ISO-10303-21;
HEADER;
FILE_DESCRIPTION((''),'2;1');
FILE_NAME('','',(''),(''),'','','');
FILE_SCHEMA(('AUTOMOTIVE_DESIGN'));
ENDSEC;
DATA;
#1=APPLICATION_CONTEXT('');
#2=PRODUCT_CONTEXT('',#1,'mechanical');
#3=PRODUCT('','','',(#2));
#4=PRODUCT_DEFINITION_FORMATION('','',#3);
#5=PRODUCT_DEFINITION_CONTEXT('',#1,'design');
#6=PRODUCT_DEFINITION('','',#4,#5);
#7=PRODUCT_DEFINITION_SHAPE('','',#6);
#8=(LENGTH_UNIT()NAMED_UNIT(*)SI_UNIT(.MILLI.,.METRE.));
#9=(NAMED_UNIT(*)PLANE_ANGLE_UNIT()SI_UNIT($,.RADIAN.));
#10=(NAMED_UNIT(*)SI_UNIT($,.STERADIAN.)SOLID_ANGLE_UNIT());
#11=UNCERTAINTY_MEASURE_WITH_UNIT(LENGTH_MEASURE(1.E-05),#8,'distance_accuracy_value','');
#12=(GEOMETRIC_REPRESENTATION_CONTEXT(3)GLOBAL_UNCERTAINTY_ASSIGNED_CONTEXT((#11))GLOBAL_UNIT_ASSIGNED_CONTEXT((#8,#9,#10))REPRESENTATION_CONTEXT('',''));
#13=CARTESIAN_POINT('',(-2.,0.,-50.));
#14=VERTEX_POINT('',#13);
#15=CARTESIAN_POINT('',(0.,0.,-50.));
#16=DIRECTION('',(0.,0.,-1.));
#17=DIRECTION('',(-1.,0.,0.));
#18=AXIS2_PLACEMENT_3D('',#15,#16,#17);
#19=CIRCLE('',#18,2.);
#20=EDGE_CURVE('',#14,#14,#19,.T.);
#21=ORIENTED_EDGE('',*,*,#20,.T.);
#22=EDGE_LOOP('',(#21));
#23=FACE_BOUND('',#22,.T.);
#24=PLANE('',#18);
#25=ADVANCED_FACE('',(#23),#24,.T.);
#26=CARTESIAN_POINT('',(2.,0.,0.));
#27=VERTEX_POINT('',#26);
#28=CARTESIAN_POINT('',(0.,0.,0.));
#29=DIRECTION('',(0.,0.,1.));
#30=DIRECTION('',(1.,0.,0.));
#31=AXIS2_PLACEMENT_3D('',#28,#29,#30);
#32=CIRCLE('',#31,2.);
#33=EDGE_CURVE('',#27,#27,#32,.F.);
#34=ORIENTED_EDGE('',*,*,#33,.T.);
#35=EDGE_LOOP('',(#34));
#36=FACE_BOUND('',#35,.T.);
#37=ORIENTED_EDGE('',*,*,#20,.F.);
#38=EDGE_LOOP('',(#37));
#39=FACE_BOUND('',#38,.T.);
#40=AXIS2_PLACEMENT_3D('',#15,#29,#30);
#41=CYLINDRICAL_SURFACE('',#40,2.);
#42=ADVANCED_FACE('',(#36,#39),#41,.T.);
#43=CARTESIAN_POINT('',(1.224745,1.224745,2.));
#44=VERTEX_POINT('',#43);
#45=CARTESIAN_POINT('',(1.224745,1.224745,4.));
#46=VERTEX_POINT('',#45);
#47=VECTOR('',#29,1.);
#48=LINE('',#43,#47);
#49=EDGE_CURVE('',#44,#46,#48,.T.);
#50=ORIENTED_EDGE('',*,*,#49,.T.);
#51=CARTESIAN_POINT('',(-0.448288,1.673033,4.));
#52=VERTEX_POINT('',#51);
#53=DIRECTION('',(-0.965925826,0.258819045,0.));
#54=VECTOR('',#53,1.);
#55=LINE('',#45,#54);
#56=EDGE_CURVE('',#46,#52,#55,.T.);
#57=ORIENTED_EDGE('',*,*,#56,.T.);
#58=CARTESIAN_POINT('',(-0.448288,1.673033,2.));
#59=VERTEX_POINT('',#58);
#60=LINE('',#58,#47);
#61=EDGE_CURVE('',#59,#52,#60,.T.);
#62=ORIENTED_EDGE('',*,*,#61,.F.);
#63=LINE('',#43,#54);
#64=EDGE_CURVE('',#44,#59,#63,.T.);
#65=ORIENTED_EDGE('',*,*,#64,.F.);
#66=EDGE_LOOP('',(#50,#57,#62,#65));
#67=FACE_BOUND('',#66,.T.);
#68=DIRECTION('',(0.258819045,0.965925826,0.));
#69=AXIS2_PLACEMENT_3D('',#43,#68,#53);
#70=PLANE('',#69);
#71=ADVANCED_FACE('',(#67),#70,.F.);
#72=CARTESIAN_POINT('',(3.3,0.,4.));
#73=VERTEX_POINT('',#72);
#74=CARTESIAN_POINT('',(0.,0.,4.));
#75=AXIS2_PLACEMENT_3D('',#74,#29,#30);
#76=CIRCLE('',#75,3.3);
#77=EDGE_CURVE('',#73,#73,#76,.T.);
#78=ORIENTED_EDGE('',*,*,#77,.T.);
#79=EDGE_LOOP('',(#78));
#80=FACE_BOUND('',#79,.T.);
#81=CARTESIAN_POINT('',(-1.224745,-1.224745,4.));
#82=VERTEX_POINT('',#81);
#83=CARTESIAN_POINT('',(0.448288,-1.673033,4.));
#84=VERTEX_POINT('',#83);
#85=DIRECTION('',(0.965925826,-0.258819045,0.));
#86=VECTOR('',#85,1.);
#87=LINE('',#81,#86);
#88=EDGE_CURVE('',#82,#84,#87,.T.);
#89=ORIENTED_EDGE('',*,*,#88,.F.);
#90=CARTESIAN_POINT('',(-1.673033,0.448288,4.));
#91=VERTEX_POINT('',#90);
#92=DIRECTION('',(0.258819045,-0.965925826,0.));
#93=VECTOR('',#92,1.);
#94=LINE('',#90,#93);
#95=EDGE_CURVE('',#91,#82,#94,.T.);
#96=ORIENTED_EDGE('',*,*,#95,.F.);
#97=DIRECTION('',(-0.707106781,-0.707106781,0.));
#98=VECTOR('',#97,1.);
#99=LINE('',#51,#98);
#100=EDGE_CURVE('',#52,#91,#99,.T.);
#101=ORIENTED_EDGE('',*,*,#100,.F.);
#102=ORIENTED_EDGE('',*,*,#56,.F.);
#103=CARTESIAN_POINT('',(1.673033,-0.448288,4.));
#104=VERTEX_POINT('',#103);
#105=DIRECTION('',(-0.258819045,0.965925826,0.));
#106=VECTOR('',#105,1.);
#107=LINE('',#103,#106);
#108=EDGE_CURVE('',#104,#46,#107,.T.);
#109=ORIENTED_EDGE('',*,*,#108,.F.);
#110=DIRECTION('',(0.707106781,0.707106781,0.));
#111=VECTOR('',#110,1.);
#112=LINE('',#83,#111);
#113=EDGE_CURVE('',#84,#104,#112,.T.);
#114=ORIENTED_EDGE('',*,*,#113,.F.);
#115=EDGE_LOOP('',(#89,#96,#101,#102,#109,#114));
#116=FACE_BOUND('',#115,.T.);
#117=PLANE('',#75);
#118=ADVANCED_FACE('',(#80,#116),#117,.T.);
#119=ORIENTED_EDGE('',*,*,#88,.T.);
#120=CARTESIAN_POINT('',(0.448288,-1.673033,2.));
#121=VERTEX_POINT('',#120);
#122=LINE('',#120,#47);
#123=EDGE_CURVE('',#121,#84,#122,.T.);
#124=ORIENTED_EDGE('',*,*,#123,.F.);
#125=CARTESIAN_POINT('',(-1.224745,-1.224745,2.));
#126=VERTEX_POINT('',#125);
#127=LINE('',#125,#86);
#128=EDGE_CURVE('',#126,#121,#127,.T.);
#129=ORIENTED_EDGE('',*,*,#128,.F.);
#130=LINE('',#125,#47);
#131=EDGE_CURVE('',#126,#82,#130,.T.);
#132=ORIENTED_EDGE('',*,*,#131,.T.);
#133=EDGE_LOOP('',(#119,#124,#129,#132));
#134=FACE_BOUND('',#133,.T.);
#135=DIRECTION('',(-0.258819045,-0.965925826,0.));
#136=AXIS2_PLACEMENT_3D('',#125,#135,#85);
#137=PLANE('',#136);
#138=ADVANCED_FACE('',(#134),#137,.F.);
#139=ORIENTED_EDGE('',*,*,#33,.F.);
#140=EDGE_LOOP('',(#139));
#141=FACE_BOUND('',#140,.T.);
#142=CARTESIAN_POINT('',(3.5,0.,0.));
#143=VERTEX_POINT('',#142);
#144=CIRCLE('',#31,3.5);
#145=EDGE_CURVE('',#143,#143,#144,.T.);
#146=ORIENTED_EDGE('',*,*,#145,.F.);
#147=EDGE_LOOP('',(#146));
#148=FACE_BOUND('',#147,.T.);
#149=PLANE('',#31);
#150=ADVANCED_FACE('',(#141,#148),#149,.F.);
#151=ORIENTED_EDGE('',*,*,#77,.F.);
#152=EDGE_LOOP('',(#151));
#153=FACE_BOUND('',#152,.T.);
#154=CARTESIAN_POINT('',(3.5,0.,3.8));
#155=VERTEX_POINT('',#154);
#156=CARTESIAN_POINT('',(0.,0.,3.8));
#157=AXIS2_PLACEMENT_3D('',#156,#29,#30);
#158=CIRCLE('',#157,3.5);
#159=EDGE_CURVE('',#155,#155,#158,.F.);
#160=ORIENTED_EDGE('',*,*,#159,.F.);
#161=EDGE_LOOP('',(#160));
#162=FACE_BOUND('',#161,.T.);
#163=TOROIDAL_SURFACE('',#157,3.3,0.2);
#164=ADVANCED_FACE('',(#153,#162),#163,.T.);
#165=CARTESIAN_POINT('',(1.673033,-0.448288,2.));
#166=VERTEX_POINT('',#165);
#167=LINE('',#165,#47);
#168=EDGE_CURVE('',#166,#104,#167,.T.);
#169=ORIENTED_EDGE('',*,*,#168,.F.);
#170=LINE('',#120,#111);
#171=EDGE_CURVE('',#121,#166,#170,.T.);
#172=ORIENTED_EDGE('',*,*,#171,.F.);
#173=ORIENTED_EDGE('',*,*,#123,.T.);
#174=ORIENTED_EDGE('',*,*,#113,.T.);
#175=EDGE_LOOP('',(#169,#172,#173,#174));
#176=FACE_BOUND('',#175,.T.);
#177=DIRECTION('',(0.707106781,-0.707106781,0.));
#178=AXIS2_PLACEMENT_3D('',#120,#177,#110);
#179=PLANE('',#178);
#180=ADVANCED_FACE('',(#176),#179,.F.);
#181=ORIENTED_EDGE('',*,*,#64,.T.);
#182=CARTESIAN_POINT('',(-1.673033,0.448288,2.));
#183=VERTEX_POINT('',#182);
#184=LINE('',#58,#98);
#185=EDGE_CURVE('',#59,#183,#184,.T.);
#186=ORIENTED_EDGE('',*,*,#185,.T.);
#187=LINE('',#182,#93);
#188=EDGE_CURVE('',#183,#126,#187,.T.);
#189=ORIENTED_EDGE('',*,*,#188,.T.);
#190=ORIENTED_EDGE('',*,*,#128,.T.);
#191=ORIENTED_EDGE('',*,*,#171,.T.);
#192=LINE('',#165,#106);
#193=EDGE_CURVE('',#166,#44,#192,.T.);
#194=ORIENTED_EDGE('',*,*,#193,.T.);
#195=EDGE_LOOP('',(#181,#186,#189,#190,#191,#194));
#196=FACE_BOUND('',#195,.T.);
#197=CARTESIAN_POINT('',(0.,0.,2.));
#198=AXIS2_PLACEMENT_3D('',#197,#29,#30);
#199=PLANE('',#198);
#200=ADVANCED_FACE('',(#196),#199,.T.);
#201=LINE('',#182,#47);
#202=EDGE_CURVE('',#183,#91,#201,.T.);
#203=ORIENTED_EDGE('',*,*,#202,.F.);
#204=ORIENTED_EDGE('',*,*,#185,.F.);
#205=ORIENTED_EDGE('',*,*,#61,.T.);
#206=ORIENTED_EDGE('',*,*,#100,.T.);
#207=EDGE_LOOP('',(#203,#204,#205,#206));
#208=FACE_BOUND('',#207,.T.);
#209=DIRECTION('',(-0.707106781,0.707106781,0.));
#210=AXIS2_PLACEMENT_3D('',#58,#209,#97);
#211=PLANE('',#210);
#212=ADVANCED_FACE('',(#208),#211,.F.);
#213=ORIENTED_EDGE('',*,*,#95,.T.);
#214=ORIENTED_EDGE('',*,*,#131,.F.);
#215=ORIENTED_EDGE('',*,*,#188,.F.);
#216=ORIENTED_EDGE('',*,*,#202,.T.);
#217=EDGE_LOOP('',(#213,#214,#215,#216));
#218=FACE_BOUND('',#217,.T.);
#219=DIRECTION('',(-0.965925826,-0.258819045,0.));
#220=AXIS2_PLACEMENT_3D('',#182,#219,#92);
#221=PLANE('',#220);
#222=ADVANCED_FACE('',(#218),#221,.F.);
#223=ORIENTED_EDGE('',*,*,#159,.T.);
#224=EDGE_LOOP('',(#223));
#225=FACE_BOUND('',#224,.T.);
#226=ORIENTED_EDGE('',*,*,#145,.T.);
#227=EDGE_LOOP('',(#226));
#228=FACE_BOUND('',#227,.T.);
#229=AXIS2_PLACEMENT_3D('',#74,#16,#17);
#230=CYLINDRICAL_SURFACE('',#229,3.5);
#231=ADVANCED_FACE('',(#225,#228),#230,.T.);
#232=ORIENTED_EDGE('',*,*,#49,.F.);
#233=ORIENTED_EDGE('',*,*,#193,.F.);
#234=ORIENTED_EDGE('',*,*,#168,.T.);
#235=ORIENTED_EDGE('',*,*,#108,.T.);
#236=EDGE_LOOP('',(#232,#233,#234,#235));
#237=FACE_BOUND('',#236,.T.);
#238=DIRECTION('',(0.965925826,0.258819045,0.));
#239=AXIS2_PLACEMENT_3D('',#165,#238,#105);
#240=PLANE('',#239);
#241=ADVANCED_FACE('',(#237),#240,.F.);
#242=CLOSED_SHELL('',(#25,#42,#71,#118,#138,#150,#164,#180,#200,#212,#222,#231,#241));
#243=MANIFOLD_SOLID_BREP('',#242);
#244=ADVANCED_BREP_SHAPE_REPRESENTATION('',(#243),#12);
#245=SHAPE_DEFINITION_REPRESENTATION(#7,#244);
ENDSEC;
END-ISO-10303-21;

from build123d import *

# Parameters (mm, degrees)
SKETCH_1_R          = 3.5
EXTRUDE_1_DEPTH     = 4
CUT_EXTRUDE_1_DEPTH = 2
SKETCH_3_R          = 2
EXTRUDE_2_DEPTH     = 50
FILLET_1_R          = 0.2


with BuildPart() as part:
    # 草图1 → 凸台-拉伸1 (new body)
    with BuildSketch(Plane.XY):
        Circle(SKETCH_1_R)
    extrude(amount=EXTRUDE_1_DEPTH)

    # 草图2 → 切除-拉伸1 (cut)
    with BuildSketch(Plane.XY.offset(4)):
        Polygon((-1.224744871, -1.224744871), (0.448287736, -1.673032607), (1.673032607, -0.448287736), (1.224744871, 1.224744871), (-0.448287736, 1.673032607), (-1.673032607, 0.448287736), align=None)
    extrude(amount=-CUT_EXTRUDE_1_DEPTH, mode=Mode.SUBTRACT)

    # 草图3 → 凸台-拉伸2 (add)
    with BuildSketch(Plane(origin=(0, 0, 0), x_dir=(-1, 0, 0), z_dir=(0, 0, -1))):
        with Locations(Location((0, 0, 0), (0, 0, 180))):
            Circle(SKETCH_3_R)
    extrude(amount=EXTRUDE_2_DEPTH)

    # 圆角1
    fillet_1_edges = [part.edges().sort_by_distance(p)[0] for p in [
        (-3.5, 0, 4),
    ]]
    fillet(fillet_1_edges, radius=FILLET_1_R)


solid = part.part
